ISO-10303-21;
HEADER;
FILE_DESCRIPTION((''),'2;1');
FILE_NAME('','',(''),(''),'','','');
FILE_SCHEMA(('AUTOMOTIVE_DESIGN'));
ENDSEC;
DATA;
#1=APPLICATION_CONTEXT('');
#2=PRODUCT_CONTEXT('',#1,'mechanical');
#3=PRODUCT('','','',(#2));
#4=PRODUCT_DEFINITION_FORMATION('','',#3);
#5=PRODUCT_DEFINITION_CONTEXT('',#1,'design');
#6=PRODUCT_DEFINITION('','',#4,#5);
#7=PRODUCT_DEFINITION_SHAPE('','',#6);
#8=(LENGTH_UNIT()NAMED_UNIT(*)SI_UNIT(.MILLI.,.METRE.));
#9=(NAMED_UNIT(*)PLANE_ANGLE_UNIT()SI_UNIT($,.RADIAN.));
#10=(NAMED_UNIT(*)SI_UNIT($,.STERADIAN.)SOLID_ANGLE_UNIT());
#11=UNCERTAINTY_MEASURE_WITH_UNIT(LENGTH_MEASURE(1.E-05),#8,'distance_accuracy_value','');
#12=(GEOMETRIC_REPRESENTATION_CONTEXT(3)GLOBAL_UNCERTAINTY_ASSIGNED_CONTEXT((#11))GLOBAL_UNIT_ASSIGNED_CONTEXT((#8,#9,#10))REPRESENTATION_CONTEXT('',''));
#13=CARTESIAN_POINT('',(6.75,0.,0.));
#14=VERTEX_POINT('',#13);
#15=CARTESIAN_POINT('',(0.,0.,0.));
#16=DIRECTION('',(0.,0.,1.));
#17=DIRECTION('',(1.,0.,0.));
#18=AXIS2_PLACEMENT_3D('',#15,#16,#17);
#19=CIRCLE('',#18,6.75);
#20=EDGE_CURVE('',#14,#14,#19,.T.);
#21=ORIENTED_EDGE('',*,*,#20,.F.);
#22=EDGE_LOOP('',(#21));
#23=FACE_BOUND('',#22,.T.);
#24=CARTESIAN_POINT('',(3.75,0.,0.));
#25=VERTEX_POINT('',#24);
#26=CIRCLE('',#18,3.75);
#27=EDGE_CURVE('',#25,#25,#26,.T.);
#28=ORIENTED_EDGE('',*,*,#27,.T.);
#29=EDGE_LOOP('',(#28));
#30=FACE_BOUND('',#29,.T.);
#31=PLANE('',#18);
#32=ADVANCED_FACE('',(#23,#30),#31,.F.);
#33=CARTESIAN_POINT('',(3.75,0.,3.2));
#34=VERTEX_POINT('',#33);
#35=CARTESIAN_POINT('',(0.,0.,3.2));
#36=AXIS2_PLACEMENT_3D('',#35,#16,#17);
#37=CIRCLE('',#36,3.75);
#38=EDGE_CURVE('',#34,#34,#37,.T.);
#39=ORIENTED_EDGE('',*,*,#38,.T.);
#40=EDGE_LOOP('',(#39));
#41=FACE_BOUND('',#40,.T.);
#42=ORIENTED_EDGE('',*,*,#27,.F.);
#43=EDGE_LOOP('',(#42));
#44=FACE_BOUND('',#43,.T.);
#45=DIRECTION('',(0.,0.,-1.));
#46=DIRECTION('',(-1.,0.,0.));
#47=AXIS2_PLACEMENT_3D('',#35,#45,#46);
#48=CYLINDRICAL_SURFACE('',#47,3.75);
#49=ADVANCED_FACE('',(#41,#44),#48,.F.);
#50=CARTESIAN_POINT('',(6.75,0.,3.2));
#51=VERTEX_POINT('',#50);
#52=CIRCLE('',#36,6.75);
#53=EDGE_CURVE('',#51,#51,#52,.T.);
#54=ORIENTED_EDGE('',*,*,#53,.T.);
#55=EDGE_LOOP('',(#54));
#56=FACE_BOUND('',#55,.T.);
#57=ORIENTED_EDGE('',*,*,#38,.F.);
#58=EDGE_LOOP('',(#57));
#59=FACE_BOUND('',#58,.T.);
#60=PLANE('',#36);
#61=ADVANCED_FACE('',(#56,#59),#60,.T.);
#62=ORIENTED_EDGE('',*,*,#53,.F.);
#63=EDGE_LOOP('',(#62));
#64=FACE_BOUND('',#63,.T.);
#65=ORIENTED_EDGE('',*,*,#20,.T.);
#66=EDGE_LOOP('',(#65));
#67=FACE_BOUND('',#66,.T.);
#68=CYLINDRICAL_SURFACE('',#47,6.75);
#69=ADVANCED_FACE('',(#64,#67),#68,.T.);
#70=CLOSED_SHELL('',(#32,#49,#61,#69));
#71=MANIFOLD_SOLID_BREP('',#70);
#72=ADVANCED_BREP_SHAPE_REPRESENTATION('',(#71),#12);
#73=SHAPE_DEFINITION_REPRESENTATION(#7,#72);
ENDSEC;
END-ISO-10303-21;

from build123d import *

# Parameters (mm, degrees)
CROQUIS1_R              = 6.75
CROQUIS1_R_2            = 3.75
SALIENTE_EXTRUIR1_DEPTH = 3.2


with BuildPart() as part:
    # Croquis1 → Saliente-Extruir1 (new body)
    with BuildSketch(Plane.XY):
        Circle(CROQUIS1_R)
        Circle(CROQUIS1_R_2, mode=Mode.SUBTRACT)
    extrude(amount=SALIENTE_EXTRUIR1_DEPTH)


solid = part.part
